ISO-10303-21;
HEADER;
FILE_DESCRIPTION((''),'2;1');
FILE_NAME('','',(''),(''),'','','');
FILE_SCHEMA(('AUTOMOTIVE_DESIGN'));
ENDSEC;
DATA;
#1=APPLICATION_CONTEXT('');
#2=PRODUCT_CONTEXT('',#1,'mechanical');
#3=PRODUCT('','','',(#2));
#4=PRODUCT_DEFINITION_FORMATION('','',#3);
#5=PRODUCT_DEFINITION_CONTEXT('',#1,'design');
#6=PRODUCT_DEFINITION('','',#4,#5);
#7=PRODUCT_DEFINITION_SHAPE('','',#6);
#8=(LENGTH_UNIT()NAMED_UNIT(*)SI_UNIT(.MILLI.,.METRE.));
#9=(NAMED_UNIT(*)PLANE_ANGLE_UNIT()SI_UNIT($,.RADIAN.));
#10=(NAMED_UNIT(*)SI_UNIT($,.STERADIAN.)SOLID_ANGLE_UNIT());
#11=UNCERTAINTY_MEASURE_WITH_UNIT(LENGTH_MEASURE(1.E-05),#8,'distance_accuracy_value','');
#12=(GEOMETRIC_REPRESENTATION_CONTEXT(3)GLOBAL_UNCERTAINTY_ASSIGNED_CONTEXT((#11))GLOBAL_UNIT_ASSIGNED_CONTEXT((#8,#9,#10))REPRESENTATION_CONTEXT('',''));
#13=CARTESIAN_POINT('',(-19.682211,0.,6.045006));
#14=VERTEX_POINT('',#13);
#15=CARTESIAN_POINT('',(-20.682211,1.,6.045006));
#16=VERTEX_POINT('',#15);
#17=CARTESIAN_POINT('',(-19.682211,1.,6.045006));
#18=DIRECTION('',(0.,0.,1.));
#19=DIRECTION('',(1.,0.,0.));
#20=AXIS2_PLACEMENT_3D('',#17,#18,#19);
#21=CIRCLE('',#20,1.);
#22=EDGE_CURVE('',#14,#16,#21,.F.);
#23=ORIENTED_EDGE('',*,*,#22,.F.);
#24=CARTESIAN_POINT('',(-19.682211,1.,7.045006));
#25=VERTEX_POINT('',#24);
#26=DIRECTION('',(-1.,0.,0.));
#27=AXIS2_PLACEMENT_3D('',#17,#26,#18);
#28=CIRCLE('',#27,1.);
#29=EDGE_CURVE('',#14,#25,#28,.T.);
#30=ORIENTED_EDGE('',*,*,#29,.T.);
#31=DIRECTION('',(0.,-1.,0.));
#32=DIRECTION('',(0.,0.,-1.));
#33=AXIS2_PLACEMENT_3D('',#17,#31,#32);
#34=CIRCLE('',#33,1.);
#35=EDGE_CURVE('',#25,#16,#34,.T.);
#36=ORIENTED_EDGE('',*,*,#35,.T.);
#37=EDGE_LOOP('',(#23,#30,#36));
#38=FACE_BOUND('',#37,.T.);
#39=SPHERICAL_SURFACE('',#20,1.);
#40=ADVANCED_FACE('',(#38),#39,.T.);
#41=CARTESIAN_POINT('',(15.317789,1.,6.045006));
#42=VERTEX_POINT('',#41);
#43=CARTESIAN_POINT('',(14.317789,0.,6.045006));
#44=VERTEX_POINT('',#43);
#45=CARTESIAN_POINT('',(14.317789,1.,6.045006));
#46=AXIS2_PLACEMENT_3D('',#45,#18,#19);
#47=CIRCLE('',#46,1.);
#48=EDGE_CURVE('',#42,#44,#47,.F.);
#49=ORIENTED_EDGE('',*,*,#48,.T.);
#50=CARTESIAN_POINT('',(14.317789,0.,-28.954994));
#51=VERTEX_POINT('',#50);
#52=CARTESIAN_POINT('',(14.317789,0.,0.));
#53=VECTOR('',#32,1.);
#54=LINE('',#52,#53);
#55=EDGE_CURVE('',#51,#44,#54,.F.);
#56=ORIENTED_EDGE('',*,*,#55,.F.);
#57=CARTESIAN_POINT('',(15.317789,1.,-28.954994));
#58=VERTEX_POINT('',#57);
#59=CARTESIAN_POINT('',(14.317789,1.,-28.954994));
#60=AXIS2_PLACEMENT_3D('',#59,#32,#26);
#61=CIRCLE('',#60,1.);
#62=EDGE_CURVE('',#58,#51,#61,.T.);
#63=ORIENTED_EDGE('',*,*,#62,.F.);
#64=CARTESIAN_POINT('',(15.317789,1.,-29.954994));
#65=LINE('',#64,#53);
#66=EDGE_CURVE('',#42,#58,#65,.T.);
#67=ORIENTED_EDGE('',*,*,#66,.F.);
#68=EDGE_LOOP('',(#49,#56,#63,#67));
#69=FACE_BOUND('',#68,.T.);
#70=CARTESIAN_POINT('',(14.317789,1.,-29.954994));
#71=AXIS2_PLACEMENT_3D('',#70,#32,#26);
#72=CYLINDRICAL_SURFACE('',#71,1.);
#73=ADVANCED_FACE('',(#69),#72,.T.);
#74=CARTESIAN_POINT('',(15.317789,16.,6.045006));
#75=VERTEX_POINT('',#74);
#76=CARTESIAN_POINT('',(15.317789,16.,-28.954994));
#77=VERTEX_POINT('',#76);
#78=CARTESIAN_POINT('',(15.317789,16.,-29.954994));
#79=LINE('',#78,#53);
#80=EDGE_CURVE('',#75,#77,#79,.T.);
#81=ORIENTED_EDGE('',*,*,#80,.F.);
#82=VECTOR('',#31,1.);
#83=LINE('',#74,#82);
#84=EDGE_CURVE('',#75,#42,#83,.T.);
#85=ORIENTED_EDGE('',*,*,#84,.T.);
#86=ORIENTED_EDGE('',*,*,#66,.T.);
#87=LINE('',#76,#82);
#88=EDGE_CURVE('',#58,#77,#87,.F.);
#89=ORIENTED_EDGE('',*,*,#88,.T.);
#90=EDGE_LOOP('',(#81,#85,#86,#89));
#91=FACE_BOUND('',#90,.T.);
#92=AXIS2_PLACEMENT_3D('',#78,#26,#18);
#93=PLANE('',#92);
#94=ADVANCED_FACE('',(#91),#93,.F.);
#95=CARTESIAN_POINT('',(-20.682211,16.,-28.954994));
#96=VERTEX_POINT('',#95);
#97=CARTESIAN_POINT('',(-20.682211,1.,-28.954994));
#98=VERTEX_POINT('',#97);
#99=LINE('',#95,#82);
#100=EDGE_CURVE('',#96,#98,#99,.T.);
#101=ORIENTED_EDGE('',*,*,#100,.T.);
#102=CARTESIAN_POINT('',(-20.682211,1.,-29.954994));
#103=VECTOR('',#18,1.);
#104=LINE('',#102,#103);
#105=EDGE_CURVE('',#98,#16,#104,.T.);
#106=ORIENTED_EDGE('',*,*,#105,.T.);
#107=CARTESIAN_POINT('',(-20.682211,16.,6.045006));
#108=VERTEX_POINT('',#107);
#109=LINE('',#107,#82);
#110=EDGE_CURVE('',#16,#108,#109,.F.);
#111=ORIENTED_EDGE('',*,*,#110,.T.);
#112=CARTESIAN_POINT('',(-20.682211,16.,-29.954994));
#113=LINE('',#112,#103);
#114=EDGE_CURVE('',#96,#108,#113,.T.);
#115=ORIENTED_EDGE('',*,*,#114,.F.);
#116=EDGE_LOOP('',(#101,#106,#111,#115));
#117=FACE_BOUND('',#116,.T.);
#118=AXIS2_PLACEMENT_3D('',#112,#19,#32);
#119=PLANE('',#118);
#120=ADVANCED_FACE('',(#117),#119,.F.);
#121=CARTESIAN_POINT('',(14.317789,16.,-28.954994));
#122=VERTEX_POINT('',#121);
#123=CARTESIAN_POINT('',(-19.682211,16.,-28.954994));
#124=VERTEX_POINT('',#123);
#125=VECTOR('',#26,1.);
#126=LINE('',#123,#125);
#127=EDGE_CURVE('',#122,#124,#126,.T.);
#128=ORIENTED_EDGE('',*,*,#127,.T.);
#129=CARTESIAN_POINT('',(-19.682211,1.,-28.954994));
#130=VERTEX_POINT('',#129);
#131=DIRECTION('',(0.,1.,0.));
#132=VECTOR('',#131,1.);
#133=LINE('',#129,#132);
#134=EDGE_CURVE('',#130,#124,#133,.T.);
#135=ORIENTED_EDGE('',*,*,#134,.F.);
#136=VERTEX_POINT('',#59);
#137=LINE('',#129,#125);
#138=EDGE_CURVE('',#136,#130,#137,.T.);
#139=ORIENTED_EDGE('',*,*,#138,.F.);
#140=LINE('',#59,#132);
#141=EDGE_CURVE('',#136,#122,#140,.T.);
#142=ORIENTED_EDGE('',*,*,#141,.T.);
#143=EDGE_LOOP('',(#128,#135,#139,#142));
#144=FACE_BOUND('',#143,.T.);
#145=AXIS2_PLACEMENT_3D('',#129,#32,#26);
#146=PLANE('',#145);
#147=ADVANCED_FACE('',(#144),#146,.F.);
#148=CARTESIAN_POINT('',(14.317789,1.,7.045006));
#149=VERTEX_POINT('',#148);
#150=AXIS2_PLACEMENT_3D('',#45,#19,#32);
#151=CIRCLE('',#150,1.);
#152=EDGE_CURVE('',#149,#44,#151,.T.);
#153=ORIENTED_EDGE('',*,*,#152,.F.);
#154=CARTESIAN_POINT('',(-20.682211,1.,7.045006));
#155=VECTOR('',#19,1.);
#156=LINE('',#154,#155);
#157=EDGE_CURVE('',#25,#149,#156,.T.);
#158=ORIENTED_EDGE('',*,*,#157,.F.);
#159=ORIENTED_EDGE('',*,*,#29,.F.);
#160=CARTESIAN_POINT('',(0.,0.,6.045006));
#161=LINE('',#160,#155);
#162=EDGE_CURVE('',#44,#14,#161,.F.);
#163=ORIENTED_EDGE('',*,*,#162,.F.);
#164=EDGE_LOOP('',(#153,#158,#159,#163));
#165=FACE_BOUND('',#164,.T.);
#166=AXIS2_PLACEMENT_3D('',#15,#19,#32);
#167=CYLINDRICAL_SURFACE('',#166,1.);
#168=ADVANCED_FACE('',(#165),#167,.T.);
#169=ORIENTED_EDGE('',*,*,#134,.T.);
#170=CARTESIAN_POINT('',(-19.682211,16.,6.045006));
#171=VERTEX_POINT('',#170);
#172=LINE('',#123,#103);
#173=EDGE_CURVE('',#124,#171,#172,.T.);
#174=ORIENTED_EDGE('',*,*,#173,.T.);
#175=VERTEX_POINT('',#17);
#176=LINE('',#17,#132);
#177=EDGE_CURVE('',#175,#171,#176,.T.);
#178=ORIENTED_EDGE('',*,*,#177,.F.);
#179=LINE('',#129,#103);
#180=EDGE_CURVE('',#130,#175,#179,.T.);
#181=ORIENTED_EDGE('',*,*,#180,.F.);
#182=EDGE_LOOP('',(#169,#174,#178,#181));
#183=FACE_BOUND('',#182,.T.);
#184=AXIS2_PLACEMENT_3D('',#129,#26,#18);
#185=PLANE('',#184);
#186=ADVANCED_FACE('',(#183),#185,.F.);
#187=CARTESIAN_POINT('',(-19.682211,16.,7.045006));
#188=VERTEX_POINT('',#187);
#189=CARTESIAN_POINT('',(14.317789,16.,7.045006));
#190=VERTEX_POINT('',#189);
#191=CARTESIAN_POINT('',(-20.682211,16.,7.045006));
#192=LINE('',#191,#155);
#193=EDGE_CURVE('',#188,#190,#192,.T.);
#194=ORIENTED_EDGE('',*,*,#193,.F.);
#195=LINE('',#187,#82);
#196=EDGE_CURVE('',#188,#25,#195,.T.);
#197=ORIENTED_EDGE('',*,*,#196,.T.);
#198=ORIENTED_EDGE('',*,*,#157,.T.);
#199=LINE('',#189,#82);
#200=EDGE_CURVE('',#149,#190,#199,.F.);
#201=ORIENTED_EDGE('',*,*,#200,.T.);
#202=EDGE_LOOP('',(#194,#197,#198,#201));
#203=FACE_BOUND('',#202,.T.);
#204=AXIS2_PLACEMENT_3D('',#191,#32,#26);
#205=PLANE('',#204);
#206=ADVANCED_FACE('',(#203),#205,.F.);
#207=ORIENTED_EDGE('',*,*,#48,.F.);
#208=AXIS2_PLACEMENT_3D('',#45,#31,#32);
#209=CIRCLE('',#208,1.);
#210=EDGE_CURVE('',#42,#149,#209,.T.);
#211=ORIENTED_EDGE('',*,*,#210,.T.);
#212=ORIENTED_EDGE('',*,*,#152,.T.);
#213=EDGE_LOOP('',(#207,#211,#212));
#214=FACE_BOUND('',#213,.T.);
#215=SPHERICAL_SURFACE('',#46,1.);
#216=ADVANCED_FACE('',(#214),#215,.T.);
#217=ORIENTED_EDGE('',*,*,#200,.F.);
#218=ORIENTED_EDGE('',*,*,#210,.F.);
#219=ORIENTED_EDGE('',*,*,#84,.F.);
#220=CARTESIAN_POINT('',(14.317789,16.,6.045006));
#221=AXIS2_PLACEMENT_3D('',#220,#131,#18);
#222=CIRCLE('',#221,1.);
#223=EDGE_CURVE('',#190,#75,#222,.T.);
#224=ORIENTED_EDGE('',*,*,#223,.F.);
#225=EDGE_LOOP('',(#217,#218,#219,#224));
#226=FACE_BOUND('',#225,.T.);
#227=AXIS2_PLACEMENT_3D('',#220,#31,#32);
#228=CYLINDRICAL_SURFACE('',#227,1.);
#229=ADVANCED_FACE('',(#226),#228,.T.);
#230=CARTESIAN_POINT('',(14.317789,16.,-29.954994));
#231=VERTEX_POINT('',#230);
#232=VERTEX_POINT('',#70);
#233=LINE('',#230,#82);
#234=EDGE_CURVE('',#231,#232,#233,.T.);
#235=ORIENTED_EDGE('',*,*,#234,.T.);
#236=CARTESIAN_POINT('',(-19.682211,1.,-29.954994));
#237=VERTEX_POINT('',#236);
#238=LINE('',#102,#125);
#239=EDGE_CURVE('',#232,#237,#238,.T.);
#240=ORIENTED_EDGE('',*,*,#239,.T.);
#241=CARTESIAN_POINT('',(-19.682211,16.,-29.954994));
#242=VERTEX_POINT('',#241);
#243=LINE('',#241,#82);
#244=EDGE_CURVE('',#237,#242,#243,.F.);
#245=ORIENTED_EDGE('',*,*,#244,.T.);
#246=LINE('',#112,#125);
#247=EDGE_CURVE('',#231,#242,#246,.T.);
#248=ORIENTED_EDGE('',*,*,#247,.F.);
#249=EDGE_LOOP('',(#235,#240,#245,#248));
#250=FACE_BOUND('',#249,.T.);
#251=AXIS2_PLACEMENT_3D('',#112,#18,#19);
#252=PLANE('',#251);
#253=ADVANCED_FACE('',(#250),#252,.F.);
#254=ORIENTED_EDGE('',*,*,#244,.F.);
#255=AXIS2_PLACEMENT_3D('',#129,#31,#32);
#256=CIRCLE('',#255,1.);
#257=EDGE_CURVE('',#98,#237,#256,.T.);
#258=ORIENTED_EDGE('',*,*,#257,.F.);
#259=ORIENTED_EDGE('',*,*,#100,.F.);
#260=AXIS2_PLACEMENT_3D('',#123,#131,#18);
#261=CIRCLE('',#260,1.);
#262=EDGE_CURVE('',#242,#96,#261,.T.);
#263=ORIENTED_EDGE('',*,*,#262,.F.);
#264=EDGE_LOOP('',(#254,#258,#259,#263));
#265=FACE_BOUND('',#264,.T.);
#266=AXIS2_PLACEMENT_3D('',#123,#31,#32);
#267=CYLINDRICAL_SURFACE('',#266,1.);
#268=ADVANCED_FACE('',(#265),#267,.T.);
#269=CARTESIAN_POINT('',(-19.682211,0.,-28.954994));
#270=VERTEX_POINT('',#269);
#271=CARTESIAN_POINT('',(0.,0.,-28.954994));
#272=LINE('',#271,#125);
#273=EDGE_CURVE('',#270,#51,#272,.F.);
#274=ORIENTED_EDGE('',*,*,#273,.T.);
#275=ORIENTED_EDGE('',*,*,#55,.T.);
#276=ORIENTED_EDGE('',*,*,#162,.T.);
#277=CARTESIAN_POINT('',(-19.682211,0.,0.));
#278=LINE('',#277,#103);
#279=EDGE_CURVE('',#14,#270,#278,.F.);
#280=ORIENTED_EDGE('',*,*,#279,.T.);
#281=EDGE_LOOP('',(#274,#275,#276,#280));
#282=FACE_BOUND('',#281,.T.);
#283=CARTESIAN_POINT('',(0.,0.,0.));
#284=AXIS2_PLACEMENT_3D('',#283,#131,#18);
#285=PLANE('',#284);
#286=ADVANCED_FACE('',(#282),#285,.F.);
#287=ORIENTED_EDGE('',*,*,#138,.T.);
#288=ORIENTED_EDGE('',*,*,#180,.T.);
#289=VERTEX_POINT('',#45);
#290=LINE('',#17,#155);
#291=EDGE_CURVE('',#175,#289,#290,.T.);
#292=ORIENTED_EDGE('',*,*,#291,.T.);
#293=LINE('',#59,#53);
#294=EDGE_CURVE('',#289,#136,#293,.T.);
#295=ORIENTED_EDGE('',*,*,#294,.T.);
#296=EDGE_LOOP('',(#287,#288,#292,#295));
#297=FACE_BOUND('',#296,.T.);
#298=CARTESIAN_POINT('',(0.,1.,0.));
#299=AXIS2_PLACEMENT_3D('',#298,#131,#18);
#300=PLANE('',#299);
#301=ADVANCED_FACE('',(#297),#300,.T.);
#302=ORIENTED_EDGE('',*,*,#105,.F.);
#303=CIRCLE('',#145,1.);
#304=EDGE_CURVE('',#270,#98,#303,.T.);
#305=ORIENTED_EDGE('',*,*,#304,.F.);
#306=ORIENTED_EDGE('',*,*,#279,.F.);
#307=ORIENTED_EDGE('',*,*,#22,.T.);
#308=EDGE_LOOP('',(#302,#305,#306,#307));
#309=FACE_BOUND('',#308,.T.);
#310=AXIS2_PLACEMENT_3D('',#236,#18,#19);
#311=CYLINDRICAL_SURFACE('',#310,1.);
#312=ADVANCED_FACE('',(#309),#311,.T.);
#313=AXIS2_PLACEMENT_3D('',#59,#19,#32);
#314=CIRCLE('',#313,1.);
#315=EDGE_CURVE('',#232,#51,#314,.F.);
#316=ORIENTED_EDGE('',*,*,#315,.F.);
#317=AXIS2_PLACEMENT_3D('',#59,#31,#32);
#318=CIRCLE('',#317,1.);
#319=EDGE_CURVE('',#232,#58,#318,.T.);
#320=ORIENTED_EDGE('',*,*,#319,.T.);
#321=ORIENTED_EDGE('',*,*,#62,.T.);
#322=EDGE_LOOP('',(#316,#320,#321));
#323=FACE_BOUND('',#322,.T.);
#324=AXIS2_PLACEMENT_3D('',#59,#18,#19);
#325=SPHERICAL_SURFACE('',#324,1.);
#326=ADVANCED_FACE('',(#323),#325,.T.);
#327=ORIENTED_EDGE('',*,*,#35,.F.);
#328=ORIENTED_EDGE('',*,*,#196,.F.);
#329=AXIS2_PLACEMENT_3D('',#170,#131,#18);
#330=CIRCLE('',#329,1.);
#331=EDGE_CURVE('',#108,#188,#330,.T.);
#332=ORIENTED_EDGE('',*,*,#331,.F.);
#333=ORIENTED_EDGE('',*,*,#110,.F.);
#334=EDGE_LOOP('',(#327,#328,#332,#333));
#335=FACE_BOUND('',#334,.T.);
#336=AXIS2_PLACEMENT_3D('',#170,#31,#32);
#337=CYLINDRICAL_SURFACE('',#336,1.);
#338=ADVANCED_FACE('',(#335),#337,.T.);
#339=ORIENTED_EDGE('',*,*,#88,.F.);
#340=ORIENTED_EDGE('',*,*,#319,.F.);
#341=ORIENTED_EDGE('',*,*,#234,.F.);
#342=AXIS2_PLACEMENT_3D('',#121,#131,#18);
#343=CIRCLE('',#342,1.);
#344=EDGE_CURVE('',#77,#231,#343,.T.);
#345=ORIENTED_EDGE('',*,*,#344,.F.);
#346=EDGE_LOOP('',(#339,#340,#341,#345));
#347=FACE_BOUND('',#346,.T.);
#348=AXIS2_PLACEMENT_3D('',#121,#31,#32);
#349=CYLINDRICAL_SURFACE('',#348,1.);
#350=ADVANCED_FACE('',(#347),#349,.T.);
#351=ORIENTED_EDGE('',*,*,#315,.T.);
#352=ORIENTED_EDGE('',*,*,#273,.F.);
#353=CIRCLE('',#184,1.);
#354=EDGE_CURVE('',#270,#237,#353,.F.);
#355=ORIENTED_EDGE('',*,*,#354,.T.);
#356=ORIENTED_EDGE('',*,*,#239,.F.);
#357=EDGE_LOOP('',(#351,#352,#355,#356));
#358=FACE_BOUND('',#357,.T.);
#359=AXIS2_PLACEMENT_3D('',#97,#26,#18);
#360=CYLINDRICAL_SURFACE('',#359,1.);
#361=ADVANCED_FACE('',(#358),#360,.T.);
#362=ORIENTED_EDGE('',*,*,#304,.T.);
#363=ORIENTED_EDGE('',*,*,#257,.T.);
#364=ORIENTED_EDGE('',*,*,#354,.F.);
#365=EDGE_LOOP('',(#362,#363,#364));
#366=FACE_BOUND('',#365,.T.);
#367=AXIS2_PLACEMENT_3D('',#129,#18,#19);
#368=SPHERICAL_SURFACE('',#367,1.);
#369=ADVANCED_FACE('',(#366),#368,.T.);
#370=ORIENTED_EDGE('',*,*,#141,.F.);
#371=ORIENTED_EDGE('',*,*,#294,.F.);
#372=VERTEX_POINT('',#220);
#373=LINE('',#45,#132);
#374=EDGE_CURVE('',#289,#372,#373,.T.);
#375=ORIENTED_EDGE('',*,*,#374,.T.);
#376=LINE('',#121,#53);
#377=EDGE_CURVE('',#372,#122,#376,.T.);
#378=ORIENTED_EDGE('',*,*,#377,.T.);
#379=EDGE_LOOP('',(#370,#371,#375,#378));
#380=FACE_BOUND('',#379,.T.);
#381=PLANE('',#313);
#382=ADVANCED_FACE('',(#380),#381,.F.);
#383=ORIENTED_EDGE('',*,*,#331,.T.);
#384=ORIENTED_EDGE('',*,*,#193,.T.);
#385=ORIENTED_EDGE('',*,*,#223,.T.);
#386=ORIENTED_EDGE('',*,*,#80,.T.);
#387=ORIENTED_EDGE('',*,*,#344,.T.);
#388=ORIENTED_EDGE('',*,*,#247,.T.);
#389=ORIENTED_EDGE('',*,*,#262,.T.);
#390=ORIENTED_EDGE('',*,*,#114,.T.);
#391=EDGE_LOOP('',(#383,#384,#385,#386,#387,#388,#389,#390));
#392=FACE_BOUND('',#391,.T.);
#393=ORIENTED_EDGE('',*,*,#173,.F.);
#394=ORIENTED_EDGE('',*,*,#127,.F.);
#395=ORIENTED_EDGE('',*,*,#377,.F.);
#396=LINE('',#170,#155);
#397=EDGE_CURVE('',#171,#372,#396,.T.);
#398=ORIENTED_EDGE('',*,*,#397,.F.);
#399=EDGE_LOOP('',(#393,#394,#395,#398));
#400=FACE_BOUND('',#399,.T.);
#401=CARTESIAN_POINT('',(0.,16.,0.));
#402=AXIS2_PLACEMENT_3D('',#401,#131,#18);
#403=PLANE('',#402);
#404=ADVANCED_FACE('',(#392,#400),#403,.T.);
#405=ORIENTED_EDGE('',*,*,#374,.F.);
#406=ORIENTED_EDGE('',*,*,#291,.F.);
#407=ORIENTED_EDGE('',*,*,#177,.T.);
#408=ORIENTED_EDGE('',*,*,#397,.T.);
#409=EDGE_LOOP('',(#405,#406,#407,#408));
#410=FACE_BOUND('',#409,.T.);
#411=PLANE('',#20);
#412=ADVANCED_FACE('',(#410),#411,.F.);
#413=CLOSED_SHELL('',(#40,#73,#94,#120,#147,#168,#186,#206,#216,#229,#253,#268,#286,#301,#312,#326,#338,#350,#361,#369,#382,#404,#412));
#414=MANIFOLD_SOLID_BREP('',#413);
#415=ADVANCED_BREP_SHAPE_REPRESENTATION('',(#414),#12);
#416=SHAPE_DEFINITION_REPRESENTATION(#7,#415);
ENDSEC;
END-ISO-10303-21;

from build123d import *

# Parameters (mm, degrees)
SKETCH_1_W          = 36
SKETCH_1_H          = 37
EXTRUDE_2_DEPTH     = 16
SKETCH_2_W          = 34
SKETCH_2_H          = 35
CUT_EXTRUDE_1_DEPTH = 15
FILLET_1_R          = 1


with BuildPart() as part:
    # ｽｹｯﾁ1 → ﾎﾞｽ - 押し出し2 (new body)
    with BuildSketch(Plane(origin=(0, 0, 0), x_dir=(1, 0, 0), z_dir=(0, 1, 0))):
        with Locations((-2.682211452, 11.454993769)):
            Rectangle(SKETCH_1_W, SKETCH_1_H)
    extrude(amount=EXTRUDE_2_DEPTH)

    # ｽｹｯﾁ2 → ｶｯﾄ - 押し出し1 (cut)
    with BuildSketch(Plane(origin=(0, 16, 0), x_dir=(1, 0, 0), z_dir=(0, 1, 0))):
        with Locations((-2.682211452, 11.454993769)):
            Rectangle(SKETCH_2_W, SKETCH_2_H)
    extrude(amount=-CUT_EXTRUDE_1_DEPTH, mode=Mode.SUBTRACT)

    # ﾌｨﾚｯﾄ1
    fillet_1_edges = [part.edges().sort_by_distance(p)[0] for p in [
        (-2.682211452, 0, -29.954993769),
        (15.317788548, 0, -11.454993769),
        (-2.682211452, 0, 7.045006231),
        (-20.682211452, 0, -11.454993769),
        (-20.682211452, 8, -29.954993769),
        (15.317788548, 8, -29.954993769),
        (15.317788548, 8, 7.045006231),
        (-20.682211452, 8, 7.045006231),
    ]]
    fillet(fillet_1_edges, radius=FILLET_1_R)


solid = part.part
